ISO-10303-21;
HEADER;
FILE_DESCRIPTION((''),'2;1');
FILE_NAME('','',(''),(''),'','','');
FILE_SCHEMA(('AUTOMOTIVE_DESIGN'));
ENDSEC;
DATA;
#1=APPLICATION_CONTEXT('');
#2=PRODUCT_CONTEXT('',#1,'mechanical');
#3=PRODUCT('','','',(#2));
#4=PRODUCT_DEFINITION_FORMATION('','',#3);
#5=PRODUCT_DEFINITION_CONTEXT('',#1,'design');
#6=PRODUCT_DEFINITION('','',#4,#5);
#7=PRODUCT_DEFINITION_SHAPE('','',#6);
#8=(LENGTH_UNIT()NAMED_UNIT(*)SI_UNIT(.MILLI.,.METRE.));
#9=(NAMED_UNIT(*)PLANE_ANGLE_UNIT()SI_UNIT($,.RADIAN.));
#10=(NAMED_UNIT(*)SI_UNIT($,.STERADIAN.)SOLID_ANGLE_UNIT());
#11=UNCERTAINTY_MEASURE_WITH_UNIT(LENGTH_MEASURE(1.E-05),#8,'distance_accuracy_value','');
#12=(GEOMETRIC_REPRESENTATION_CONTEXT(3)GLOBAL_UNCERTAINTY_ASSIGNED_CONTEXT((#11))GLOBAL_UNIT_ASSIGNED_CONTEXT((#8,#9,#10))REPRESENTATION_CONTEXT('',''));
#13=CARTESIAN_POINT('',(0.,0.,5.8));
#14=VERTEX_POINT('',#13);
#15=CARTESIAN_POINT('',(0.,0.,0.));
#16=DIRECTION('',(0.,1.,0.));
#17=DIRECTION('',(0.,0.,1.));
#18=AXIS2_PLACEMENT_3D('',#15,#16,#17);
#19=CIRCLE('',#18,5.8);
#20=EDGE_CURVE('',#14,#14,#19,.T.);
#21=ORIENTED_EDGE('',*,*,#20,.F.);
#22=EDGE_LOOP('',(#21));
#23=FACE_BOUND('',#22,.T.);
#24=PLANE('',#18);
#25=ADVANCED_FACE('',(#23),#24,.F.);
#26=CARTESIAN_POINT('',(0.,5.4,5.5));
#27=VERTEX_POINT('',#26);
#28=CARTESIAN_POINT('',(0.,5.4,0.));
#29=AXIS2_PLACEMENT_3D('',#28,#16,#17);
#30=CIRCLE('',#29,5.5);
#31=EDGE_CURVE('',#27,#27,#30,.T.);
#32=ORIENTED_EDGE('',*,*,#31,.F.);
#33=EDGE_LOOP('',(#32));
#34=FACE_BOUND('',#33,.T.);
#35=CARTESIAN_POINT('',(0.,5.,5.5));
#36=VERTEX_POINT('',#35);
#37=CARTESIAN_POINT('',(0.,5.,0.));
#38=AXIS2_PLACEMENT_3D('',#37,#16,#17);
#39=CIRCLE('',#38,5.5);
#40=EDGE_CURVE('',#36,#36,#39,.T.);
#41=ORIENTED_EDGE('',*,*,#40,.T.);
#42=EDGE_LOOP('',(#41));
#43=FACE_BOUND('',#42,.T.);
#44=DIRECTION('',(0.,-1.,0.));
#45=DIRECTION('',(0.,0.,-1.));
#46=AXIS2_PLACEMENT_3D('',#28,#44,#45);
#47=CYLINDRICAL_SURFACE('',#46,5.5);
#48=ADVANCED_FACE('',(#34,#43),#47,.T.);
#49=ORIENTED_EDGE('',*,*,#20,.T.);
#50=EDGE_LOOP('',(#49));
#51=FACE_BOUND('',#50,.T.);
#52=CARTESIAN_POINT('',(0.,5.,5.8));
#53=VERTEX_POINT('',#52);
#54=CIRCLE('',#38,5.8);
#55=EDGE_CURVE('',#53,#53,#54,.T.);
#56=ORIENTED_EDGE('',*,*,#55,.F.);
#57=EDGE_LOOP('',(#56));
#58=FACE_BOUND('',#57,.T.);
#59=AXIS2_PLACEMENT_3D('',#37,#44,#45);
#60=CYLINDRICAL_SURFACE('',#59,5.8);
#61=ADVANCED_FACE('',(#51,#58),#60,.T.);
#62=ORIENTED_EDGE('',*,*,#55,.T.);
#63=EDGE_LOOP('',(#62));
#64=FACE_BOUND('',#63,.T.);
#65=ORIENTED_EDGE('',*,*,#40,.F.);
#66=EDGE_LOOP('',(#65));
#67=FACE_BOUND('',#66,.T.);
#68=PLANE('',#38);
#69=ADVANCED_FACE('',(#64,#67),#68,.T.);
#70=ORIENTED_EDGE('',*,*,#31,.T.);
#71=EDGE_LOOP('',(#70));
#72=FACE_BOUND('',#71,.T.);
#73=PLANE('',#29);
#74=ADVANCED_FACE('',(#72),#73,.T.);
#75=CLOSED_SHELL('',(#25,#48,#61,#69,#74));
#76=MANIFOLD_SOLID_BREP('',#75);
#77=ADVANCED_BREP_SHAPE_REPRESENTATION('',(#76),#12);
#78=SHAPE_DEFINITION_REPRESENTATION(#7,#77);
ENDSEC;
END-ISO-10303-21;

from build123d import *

# Parameters (mm, degrees)
SKETCH1_R           = 5.8
BOSS_EXTRUDE1_DEPTH = 5
SKETCH2_R           = 5.5
BOSS_EXTRUDE2_DEPTH = 0.4


with BuildPart() as part:
    # Sketch1 → Boss-Extrude1 (new body)
    with BuildSketch(Plane(origin=(0, 0, 0), x_dir=(1, 0, 0), z_dir=(0, 1, 0))):
        Circle(SKETCH1_R)
    extrude(amount=BOSS_EXTRUDE1_DEPTH)

    # Sketch2 → Boss-Extrude2 (add)
    with BuildSketch(Plane(origin=(0, 5, 0), x_dir=(1, 0, 0), z_dir=(0, 1, 0))):
        Circle(SKETCH2_R)
    extrude(amount=BOSS_EXTRUDE2_DEPTH)


solid = part.part
